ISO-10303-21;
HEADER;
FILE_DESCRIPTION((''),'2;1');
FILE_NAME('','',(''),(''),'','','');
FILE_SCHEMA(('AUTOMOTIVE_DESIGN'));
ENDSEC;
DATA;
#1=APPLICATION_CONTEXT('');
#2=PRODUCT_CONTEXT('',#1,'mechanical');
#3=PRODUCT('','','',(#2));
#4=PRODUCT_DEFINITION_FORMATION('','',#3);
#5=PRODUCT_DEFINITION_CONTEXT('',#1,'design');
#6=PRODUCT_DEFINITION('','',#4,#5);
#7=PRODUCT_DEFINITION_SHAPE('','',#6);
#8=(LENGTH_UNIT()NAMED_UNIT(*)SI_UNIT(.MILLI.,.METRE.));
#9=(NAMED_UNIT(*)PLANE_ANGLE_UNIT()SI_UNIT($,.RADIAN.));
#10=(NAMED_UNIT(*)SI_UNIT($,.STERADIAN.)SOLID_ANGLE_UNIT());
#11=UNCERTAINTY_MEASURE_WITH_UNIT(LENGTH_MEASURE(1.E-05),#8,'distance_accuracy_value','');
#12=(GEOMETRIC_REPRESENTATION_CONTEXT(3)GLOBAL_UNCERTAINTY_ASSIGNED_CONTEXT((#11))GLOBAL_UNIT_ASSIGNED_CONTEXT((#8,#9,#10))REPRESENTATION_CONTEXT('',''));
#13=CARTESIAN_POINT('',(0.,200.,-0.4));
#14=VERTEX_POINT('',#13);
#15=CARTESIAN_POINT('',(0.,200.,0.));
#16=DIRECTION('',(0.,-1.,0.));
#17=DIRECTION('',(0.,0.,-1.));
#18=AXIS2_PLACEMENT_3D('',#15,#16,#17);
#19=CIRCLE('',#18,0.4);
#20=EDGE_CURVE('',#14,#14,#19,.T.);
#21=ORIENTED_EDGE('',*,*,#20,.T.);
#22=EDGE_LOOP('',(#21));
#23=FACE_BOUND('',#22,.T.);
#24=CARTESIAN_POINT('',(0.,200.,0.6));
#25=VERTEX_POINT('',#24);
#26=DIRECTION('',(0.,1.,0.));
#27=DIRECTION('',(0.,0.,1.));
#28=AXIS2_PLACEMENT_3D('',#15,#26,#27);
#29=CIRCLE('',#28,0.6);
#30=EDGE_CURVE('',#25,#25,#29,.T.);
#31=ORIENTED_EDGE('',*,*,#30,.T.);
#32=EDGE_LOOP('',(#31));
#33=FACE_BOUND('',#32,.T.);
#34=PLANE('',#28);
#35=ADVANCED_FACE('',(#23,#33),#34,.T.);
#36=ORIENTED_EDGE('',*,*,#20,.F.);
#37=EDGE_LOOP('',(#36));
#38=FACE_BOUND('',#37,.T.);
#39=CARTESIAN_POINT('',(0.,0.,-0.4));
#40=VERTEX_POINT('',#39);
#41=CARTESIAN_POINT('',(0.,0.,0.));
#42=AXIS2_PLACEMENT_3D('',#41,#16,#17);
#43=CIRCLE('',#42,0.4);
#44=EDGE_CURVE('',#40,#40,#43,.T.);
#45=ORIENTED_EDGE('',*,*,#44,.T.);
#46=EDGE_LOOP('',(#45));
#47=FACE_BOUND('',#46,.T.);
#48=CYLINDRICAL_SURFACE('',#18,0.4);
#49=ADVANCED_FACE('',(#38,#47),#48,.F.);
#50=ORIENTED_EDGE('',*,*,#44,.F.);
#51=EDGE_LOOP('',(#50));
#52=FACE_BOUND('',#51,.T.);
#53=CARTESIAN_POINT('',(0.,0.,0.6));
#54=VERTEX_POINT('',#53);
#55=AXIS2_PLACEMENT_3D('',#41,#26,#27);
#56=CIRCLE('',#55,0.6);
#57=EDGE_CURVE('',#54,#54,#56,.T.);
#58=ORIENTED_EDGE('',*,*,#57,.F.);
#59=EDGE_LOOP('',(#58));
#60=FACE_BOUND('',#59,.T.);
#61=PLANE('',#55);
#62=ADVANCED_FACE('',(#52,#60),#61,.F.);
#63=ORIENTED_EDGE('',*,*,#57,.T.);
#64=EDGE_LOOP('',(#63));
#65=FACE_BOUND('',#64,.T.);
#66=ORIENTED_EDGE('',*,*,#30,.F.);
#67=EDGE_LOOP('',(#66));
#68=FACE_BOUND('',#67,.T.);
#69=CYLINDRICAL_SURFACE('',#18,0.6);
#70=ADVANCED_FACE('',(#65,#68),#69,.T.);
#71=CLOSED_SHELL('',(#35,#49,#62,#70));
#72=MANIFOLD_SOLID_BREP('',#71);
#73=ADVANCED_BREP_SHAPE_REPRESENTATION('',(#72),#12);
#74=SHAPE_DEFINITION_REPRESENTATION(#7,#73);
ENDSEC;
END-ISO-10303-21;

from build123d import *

# Parameters (mm, degrees)
SKETCH_1_R          = 0.6
EXTRUDE_1_DEPTH     = 200
SKETCH_2_R          = 0.4
CUT_EXTRUDE_1_DEPTH = 201.001799992


with BuildPart() as part:
    # 草图1 → 凸台-拉伸1 (new body)
    with BuildSketch(Plane(origin=(0, 0, 0), x_dir=(1, 0, 0), z_dir=(0, 1, 0))):
        with Locations(Location((0, 0, 0), (0, 0, 270))):
            Circle(SKETCH_1_R)
    extrude(amount=EXTRUDE_1_DEPTH)

    # 草图2 → 切除-拉伸1 (cut, through all)
    with BuildSketch(Plane.XZ):
        with Locations(Location((0, 0, 0), (0, 0, 270))):
            Circle(SKETCH_2_R)
    extrude(amount=-CUT_EXTRUDE_1_DEPTH, mode=Mode.SUBTRACT)


solid = part.part
